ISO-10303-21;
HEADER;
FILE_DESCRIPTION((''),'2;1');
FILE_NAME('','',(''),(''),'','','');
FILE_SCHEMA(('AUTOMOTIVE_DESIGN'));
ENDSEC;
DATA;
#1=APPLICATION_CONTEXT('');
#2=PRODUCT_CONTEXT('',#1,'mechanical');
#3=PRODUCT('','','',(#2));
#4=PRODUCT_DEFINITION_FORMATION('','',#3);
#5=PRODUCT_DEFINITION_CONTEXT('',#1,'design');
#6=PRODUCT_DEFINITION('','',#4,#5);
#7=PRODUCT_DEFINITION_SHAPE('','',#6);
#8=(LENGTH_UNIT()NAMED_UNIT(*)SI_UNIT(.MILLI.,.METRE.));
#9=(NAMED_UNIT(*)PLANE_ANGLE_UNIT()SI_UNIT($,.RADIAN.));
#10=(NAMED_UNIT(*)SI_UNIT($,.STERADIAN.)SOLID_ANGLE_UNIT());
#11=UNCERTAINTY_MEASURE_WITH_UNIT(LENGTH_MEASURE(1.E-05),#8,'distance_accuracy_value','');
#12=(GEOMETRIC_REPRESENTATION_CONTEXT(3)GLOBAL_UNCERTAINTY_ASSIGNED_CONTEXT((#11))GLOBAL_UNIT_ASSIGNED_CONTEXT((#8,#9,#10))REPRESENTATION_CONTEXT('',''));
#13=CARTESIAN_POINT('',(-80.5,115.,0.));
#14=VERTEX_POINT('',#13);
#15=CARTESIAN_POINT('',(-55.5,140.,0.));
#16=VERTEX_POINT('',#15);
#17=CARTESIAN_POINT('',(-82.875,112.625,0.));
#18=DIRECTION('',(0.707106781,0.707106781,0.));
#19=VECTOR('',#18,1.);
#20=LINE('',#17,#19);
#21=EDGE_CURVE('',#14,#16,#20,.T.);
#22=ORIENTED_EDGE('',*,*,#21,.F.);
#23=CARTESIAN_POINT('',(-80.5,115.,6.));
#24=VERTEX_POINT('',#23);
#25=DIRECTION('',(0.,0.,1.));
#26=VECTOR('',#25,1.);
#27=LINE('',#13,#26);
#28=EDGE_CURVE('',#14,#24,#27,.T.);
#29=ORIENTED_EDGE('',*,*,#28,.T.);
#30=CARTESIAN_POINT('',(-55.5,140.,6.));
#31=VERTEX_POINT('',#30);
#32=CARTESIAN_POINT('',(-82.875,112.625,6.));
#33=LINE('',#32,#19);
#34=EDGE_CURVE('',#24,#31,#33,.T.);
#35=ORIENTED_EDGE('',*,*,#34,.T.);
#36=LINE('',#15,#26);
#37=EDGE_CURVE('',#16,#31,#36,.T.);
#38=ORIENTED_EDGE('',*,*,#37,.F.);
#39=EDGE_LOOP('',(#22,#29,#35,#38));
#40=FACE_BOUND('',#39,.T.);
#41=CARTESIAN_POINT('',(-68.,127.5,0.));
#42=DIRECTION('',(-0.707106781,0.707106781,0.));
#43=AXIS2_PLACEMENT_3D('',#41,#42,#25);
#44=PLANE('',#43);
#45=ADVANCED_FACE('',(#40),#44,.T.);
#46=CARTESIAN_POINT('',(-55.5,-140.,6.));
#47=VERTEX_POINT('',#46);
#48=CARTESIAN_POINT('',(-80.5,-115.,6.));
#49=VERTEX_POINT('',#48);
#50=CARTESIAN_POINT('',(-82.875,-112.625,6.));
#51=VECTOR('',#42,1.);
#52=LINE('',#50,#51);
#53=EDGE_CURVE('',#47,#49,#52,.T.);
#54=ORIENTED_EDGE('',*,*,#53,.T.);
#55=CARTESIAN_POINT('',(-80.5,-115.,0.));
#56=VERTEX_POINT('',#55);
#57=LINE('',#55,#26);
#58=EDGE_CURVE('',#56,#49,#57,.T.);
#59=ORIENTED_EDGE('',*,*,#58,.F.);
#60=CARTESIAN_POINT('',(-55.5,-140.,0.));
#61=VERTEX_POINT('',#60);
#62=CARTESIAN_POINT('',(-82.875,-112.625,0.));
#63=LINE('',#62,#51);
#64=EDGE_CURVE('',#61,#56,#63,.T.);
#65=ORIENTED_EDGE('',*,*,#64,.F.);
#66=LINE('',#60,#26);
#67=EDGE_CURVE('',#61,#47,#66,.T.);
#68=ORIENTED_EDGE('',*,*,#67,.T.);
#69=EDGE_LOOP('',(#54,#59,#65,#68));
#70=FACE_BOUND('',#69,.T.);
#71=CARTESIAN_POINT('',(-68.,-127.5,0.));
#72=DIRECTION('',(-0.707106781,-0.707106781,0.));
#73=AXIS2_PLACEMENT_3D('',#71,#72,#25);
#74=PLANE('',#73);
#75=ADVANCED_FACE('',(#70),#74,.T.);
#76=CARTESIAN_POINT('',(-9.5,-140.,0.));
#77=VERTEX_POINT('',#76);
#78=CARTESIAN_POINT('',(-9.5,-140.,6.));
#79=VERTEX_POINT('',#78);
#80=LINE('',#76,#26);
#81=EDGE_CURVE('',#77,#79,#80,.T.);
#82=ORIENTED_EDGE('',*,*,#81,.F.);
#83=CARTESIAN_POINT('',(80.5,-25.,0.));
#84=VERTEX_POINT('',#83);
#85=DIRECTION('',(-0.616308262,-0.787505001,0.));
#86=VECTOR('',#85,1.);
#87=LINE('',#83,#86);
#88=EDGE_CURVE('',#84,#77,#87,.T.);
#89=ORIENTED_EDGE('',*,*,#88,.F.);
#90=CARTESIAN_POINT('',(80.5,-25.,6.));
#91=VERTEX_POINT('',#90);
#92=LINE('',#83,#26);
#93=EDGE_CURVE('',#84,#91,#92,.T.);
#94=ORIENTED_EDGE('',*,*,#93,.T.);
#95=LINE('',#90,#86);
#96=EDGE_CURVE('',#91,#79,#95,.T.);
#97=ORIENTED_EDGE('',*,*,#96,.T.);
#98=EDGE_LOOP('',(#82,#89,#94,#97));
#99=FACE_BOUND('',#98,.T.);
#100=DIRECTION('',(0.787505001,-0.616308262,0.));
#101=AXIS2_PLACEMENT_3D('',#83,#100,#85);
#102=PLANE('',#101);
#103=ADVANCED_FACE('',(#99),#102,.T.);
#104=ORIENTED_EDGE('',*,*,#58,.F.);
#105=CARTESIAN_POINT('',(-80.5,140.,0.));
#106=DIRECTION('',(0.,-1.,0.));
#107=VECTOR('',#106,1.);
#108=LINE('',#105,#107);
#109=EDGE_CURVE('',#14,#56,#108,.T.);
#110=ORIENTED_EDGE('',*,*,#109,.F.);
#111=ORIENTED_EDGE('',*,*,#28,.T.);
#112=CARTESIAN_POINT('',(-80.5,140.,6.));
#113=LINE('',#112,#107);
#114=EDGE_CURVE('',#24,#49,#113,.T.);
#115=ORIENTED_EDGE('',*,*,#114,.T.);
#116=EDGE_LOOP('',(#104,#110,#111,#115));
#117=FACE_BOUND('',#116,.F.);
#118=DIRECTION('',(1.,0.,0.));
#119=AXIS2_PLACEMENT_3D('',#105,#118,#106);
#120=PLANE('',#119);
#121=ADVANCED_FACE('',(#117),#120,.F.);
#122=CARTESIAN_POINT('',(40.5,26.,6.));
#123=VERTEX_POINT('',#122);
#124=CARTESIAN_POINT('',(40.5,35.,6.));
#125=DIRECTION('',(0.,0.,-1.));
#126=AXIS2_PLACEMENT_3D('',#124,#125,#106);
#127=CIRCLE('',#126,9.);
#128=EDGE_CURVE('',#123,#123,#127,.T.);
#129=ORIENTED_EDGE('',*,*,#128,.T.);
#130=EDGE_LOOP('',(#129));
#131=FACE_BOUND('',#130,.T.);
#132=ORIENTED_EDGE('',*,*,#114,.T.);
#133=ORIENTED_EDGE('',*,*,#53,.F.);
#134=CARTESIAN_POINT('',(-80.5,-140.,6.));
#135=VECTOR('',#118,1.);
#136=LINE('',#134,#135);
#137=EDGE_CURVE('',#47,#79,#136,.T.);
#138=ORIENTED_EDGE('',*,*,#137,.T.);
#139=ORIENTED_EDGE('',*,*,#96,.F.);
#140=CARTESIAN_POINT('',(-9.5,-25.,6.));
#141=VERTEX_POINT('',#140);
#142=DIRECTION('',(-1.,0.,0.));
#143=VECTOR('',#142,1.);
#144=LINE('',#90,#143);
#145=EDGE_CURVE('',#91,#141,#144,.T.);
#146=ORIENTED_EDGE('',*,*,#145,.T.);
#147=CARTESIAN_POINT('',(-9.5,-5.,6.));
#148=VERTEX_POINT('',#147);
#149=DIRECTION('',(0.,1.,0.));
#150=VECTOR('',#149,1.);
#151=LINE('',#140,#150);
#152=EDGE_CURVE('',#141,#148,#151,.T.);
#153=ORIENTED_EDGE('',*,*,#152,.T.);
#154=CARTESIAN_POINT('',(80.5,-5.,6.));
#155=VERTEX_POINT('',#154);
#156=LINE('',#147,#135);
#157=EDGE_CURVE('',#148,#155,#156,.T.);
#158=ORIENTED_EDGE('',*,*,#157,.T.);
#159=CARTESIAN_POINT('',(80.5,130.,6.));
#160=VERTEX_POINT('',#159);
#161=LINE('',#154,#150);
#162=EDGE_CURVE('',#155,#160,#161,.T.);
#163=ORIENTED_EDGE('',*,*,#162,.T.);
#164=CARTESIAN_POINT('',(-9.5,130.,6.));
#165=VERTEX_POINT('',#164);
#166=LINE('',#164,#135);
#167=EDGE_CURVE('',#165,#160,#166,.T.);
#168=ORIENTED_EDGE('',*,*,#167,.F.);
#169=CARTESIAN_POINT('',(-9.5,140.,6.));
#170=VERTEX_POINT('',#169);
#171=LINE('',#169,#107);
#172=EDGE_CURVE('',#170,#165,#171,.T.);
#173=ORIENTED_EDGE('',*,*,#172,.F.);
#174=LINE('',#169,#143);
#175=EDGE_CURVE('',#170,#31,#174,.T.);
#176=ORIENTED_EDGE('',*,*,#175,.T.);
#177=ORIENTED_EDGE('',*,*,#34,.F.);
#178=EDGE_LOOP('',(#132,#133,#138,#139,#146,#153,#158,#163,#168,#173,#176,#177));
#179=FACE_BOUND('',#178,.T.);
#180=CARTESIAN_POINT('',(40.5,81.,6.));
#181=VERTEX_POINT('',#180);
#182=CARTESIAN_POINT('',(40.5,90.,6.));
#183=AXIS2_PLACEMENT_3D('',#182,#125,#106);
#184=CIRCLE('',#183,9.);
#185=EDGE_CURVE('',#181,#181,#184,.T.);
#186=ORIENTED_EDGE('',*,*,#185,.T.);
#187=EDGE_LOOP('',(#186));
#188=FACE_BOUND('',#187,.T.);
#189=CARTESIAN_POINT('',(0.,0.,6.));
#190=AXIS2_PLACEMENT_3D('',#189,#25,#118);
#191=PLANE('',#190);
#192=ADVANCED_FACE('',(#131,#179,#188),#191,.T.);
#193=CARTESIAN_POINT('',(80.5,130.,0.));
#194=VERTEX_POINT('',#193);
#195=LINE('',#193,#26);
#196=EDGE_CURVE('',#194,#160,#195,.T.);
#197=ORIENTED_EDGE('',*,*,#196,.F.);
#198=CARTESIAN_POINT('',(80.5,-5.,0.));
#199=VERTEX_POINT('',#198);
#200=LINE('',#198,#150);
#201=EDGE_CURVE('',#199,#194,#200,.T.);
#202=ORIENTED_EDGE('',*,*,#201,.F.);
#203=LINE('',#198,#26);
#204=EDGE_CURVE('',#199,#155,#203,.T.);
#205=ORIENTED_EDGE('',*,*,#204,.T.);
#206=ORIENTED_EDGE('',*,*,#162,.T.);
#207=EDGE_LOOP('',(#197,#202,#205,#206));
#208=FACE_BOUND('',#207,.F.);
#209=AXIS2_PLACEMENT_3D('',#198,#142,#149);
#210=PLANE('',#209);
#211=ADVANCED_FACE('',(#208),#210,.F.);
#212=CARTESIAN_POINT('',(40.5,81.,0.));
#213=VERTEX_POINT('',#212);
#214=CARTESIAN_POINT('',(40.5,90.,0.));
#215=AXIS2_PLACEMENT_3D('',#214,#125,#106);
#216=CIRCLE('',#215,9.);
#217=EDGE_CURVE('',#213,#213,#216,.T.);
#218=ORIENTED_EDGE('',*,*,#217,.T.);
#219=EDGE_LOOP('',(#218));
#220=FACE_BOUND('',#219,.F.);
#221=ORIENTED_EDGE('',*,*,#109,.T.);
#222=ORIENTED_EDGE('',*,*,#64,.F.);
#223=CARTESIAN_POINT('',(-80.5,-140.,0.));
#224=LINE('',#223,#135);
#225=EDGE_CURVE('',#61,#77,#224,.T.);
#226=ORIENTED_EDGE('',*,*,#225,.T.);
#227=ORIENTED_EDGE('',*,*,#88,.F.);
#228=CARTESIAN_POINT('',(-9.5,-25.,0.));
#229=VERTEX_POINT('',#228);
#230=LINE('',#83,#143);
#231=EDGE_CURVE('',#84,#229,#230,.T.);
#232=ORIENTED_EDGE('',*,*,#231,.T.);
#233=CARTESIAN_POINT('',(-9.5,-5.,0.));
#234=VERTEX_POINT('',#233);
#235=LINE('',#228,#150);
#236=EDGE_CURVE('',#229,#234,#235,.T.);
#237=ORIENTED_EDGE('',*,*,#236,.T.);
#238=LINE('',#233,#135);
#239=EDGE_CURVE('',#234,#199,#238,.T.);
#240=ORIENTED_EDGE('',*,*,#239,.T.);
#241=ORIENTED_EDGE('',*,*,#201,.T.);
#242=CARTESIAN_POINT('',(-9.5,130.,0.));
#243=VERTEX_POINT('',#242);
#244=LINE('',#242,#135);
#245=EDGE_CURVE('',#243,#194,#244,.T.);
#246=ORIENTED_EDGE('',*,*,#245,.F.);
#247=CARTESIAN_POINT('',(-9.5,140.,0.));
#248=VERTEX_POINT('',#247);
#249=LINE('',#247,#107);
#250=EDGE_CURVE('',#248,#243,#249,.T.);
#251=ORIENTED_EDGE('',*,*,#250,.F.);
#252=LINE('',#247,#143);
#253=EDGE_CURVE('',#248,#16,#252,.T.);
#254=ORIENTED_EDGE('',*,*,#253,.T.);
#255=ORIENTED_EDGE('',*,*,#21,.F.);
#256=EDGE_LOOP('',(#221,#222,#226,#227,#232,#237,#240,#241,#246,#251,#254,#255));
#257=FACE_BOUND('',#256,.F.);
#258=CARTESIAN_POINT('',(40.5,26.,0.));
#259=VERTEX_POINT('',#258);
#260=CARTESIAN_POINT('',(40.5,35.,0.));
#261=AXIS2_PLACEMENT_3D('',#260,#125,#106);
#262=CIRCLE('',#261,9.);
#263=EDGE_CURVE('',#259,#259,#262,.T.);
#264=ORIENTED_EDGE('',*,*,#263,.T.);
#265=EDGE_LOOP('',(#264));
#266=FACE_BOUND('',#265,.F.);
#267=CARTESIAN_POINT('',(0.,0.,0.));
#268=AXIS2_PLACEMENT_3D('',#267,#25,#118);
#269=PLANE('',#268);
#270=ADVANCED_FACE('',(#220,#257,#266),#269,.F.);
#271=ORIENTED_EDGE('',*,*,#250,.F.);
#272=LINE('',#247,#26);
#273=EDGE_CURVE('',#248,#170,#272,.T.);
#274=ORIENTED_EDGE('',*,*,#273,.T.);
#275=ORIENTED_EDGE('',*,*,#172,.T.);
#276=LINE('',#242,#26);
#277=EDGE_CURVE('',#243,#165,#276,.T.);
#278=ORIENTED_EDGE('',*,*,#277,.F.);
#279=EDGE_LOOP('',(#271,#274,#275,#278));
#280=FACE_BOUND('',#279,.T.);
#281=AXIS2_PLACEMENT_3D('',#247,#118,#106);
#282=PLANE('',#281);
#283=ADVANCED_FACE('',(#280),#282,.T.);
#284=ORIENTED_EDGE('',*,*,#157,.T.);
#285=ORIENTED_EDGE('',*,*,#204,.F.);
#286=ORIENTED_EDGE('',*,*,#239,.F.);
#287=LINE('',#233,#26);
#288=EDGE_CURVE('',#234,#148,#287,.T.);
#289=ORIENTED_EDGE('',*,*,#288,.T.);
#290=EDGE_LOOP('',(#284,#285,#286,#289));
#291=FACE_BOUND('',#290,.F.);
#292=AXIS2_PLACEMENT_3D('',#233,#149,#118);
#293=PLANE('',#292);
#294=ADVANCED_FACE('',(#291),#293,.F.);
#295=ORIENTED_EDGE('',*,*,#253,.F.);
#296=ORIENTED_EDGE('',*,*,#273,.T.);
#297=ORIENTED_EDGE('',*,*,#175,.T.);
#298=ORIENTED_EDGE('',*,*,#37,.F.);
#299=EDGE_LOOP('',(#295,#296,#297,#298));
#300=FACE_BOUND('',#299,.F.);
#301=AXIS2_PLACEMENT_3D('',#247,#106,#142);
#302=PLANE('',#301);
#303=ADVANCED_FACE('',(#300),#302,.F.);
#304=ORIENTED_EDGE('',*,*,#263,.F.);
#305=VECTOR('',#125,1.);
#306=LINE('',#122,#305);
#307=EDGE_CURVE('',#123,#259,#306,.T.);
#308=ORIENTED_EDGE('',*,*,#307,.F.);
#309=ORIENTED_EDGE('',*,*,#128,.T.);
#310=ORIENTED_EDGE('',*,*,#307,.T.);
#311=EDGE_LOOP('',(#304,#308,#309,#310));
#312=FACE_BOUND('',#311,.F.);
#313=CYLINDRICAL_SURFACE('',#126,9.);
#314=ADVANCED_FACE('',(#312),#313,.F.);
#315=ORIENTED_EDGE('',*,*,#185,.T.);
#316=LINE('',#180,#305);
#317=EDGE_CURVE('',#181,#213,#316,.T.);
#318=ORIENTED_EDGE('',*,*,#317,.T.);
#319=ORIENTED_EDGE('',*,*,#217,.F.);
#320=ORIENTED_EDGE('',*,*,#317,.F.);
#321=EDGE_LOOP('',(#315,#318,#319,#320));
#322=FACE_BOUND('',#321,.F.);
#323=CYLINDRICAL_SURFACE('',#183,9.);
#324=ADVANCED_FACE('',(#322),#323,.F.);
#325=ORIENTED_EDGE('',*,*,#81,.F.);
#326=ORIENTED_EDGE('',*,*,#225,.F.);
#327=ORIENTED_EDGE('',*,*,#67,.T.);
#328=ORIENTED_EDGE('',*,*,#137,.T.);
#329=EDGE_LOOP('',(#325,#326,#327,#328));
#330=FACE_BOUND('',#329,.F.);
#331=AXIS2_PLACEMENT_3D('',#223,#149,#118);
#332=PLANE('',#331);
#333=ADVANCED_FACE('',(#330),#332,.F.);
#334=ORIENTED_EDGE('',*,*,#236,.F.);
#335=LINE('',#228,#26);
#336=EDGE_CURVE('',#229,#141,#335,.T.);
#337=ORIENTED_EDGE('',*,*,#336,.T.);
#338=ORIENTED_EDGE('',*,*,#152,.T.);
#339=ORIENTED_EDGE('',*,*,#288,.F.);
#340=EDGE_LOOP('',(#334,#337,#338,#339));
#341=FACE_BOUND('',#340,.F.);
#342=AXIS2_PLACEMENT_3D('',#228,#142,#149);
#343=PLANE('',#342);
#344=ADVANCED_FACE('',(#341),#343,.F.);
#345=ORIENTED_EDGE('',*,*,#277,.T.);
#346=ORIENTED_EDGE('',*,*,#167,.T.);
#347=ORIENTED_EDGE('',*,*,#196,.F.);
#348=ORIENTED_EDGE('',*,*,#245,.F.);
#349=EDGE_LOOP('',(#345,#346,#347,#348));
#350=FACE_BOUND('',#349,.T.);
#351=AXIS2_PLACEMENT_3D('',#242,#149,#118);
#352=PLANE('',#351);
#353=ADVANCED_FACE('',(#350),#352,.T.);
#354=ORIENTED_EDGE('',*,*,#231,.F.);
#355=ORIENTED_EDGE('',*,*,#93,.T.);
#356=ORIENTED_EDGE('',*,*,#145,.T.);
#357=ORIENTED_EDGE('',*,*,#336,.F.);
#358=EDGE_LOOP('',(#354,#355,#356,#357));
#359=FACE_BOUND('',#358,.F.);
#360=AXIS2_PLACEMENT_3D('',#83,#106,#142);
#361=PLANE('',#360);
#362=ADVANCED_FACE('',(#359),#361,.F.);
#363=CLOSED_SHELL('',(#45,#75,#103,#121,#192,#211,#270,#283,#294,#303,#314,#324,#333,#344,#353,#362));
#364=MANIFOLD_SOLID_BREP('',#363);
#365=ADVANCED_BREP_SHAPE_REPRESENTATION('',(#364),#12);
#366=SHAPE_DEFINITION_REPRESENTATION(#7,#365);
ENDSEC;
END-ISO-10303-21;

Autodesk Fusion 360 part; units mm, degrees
sketch "スケッチ1" plane through (0, 0, 0) normal (0, 0, 1) x (1, 0, 0)
  line L0 (-9.5, 140) -> (-80.5, 140)
  line L1 (-80.5, 140) -> (-80.5, -140)
  line L2 (-80.5, -140) -> (-9.5, -140)
  line L3 (80.5, -5) -> (80.5, 130)
  line L4 (-9.5, 140) -> (-9.5, 130)
  line L5 (-9.5, 130) -> (80.5, 130)
  line L6 (-80.5, -140) -> (-9.5, -140) construction
  line L7 (80.5, -25) -> (-9.5, -140)
  line L8 (80.5, -25) -> (-9.5, -25)
  line L9 (-9.5, -25) -> (-9.5, -5)
  line L10 (-9.5, -5) -> (80.5, -5)
  line L11 (-80.5, 140) -> (2.875, -5) construction
  line L12 (14.375, -25) -> (42.3815, -73.707) construction
  line L13 (74.75, 130) -> (-2.875, -5) construction
  line L14 (-9.5, -16.5217) -> (-80.5, -140) construction
  dimension "d2" = 280
  dimension "d5" = 71
  dimension "d7" = 90
  dimension "d8" = 20
extrude "押し出し1" add sketch "スケッチ1" along normal blind 6
chamfer "面取り1" distance 25 angle 45 2 edges at (-80.5, -140, 3) (-80.5, 140, 3)
sketch "スケッチ2" plane through (0, 0, 6) normal (0, 0, 1) x (-1, 0, 0)
  line L0 (55.5, -140) -> (80.5, -115)
  line L1 (80.5, -115) -> (80.5, 115)
  line L2 (80.5, 115) -> (55.5, 140)
  line L3 (55.5, 140) -> (9.5, 140)
  line L4 (9.5, 140) -> (-80.5, 25)
  line L5 (-80.5, 25) -> (9.5, 25)
  line L6 (9.5, 25) -> (9.5, 5)
  line L7 (9.5, 5) -> (-80.5, 5)
  line L8 (-80.5, 5) -> (-80.5, -130)
  line L9 (-80.5, -130) -> (9.5, -130)
  line L10 (9.5, -130) -> (9.5, -140)
  line L11 (9.5, -140) -> (55.5, -140)
  line L12 (-80.5, -130) -> (-40.5, -130) construction
  line L13 (-40.5, -130) -> (-40.5, -90) construction
  line L14 (-40.5, -90) -> (-80.5, -90) construction
  line L15 (-80.5, -90) -> (-80.5, -130) construction
  line L16 (-40.5, -90) -> (-40.5, -35) construction
  point P0 (-40.5, -90)
  point P1 (-40.5, -35)
  dimension "d12" = 40
  dimension "d13" = 40
  dimension "d14" = 55
hole "穴1" at (40.5, 90, 6) at (40.5, 35, 6) direction (0, 0, -1) diameter 18 end through all
equation "d5 = 25 mm + 46 mm"
